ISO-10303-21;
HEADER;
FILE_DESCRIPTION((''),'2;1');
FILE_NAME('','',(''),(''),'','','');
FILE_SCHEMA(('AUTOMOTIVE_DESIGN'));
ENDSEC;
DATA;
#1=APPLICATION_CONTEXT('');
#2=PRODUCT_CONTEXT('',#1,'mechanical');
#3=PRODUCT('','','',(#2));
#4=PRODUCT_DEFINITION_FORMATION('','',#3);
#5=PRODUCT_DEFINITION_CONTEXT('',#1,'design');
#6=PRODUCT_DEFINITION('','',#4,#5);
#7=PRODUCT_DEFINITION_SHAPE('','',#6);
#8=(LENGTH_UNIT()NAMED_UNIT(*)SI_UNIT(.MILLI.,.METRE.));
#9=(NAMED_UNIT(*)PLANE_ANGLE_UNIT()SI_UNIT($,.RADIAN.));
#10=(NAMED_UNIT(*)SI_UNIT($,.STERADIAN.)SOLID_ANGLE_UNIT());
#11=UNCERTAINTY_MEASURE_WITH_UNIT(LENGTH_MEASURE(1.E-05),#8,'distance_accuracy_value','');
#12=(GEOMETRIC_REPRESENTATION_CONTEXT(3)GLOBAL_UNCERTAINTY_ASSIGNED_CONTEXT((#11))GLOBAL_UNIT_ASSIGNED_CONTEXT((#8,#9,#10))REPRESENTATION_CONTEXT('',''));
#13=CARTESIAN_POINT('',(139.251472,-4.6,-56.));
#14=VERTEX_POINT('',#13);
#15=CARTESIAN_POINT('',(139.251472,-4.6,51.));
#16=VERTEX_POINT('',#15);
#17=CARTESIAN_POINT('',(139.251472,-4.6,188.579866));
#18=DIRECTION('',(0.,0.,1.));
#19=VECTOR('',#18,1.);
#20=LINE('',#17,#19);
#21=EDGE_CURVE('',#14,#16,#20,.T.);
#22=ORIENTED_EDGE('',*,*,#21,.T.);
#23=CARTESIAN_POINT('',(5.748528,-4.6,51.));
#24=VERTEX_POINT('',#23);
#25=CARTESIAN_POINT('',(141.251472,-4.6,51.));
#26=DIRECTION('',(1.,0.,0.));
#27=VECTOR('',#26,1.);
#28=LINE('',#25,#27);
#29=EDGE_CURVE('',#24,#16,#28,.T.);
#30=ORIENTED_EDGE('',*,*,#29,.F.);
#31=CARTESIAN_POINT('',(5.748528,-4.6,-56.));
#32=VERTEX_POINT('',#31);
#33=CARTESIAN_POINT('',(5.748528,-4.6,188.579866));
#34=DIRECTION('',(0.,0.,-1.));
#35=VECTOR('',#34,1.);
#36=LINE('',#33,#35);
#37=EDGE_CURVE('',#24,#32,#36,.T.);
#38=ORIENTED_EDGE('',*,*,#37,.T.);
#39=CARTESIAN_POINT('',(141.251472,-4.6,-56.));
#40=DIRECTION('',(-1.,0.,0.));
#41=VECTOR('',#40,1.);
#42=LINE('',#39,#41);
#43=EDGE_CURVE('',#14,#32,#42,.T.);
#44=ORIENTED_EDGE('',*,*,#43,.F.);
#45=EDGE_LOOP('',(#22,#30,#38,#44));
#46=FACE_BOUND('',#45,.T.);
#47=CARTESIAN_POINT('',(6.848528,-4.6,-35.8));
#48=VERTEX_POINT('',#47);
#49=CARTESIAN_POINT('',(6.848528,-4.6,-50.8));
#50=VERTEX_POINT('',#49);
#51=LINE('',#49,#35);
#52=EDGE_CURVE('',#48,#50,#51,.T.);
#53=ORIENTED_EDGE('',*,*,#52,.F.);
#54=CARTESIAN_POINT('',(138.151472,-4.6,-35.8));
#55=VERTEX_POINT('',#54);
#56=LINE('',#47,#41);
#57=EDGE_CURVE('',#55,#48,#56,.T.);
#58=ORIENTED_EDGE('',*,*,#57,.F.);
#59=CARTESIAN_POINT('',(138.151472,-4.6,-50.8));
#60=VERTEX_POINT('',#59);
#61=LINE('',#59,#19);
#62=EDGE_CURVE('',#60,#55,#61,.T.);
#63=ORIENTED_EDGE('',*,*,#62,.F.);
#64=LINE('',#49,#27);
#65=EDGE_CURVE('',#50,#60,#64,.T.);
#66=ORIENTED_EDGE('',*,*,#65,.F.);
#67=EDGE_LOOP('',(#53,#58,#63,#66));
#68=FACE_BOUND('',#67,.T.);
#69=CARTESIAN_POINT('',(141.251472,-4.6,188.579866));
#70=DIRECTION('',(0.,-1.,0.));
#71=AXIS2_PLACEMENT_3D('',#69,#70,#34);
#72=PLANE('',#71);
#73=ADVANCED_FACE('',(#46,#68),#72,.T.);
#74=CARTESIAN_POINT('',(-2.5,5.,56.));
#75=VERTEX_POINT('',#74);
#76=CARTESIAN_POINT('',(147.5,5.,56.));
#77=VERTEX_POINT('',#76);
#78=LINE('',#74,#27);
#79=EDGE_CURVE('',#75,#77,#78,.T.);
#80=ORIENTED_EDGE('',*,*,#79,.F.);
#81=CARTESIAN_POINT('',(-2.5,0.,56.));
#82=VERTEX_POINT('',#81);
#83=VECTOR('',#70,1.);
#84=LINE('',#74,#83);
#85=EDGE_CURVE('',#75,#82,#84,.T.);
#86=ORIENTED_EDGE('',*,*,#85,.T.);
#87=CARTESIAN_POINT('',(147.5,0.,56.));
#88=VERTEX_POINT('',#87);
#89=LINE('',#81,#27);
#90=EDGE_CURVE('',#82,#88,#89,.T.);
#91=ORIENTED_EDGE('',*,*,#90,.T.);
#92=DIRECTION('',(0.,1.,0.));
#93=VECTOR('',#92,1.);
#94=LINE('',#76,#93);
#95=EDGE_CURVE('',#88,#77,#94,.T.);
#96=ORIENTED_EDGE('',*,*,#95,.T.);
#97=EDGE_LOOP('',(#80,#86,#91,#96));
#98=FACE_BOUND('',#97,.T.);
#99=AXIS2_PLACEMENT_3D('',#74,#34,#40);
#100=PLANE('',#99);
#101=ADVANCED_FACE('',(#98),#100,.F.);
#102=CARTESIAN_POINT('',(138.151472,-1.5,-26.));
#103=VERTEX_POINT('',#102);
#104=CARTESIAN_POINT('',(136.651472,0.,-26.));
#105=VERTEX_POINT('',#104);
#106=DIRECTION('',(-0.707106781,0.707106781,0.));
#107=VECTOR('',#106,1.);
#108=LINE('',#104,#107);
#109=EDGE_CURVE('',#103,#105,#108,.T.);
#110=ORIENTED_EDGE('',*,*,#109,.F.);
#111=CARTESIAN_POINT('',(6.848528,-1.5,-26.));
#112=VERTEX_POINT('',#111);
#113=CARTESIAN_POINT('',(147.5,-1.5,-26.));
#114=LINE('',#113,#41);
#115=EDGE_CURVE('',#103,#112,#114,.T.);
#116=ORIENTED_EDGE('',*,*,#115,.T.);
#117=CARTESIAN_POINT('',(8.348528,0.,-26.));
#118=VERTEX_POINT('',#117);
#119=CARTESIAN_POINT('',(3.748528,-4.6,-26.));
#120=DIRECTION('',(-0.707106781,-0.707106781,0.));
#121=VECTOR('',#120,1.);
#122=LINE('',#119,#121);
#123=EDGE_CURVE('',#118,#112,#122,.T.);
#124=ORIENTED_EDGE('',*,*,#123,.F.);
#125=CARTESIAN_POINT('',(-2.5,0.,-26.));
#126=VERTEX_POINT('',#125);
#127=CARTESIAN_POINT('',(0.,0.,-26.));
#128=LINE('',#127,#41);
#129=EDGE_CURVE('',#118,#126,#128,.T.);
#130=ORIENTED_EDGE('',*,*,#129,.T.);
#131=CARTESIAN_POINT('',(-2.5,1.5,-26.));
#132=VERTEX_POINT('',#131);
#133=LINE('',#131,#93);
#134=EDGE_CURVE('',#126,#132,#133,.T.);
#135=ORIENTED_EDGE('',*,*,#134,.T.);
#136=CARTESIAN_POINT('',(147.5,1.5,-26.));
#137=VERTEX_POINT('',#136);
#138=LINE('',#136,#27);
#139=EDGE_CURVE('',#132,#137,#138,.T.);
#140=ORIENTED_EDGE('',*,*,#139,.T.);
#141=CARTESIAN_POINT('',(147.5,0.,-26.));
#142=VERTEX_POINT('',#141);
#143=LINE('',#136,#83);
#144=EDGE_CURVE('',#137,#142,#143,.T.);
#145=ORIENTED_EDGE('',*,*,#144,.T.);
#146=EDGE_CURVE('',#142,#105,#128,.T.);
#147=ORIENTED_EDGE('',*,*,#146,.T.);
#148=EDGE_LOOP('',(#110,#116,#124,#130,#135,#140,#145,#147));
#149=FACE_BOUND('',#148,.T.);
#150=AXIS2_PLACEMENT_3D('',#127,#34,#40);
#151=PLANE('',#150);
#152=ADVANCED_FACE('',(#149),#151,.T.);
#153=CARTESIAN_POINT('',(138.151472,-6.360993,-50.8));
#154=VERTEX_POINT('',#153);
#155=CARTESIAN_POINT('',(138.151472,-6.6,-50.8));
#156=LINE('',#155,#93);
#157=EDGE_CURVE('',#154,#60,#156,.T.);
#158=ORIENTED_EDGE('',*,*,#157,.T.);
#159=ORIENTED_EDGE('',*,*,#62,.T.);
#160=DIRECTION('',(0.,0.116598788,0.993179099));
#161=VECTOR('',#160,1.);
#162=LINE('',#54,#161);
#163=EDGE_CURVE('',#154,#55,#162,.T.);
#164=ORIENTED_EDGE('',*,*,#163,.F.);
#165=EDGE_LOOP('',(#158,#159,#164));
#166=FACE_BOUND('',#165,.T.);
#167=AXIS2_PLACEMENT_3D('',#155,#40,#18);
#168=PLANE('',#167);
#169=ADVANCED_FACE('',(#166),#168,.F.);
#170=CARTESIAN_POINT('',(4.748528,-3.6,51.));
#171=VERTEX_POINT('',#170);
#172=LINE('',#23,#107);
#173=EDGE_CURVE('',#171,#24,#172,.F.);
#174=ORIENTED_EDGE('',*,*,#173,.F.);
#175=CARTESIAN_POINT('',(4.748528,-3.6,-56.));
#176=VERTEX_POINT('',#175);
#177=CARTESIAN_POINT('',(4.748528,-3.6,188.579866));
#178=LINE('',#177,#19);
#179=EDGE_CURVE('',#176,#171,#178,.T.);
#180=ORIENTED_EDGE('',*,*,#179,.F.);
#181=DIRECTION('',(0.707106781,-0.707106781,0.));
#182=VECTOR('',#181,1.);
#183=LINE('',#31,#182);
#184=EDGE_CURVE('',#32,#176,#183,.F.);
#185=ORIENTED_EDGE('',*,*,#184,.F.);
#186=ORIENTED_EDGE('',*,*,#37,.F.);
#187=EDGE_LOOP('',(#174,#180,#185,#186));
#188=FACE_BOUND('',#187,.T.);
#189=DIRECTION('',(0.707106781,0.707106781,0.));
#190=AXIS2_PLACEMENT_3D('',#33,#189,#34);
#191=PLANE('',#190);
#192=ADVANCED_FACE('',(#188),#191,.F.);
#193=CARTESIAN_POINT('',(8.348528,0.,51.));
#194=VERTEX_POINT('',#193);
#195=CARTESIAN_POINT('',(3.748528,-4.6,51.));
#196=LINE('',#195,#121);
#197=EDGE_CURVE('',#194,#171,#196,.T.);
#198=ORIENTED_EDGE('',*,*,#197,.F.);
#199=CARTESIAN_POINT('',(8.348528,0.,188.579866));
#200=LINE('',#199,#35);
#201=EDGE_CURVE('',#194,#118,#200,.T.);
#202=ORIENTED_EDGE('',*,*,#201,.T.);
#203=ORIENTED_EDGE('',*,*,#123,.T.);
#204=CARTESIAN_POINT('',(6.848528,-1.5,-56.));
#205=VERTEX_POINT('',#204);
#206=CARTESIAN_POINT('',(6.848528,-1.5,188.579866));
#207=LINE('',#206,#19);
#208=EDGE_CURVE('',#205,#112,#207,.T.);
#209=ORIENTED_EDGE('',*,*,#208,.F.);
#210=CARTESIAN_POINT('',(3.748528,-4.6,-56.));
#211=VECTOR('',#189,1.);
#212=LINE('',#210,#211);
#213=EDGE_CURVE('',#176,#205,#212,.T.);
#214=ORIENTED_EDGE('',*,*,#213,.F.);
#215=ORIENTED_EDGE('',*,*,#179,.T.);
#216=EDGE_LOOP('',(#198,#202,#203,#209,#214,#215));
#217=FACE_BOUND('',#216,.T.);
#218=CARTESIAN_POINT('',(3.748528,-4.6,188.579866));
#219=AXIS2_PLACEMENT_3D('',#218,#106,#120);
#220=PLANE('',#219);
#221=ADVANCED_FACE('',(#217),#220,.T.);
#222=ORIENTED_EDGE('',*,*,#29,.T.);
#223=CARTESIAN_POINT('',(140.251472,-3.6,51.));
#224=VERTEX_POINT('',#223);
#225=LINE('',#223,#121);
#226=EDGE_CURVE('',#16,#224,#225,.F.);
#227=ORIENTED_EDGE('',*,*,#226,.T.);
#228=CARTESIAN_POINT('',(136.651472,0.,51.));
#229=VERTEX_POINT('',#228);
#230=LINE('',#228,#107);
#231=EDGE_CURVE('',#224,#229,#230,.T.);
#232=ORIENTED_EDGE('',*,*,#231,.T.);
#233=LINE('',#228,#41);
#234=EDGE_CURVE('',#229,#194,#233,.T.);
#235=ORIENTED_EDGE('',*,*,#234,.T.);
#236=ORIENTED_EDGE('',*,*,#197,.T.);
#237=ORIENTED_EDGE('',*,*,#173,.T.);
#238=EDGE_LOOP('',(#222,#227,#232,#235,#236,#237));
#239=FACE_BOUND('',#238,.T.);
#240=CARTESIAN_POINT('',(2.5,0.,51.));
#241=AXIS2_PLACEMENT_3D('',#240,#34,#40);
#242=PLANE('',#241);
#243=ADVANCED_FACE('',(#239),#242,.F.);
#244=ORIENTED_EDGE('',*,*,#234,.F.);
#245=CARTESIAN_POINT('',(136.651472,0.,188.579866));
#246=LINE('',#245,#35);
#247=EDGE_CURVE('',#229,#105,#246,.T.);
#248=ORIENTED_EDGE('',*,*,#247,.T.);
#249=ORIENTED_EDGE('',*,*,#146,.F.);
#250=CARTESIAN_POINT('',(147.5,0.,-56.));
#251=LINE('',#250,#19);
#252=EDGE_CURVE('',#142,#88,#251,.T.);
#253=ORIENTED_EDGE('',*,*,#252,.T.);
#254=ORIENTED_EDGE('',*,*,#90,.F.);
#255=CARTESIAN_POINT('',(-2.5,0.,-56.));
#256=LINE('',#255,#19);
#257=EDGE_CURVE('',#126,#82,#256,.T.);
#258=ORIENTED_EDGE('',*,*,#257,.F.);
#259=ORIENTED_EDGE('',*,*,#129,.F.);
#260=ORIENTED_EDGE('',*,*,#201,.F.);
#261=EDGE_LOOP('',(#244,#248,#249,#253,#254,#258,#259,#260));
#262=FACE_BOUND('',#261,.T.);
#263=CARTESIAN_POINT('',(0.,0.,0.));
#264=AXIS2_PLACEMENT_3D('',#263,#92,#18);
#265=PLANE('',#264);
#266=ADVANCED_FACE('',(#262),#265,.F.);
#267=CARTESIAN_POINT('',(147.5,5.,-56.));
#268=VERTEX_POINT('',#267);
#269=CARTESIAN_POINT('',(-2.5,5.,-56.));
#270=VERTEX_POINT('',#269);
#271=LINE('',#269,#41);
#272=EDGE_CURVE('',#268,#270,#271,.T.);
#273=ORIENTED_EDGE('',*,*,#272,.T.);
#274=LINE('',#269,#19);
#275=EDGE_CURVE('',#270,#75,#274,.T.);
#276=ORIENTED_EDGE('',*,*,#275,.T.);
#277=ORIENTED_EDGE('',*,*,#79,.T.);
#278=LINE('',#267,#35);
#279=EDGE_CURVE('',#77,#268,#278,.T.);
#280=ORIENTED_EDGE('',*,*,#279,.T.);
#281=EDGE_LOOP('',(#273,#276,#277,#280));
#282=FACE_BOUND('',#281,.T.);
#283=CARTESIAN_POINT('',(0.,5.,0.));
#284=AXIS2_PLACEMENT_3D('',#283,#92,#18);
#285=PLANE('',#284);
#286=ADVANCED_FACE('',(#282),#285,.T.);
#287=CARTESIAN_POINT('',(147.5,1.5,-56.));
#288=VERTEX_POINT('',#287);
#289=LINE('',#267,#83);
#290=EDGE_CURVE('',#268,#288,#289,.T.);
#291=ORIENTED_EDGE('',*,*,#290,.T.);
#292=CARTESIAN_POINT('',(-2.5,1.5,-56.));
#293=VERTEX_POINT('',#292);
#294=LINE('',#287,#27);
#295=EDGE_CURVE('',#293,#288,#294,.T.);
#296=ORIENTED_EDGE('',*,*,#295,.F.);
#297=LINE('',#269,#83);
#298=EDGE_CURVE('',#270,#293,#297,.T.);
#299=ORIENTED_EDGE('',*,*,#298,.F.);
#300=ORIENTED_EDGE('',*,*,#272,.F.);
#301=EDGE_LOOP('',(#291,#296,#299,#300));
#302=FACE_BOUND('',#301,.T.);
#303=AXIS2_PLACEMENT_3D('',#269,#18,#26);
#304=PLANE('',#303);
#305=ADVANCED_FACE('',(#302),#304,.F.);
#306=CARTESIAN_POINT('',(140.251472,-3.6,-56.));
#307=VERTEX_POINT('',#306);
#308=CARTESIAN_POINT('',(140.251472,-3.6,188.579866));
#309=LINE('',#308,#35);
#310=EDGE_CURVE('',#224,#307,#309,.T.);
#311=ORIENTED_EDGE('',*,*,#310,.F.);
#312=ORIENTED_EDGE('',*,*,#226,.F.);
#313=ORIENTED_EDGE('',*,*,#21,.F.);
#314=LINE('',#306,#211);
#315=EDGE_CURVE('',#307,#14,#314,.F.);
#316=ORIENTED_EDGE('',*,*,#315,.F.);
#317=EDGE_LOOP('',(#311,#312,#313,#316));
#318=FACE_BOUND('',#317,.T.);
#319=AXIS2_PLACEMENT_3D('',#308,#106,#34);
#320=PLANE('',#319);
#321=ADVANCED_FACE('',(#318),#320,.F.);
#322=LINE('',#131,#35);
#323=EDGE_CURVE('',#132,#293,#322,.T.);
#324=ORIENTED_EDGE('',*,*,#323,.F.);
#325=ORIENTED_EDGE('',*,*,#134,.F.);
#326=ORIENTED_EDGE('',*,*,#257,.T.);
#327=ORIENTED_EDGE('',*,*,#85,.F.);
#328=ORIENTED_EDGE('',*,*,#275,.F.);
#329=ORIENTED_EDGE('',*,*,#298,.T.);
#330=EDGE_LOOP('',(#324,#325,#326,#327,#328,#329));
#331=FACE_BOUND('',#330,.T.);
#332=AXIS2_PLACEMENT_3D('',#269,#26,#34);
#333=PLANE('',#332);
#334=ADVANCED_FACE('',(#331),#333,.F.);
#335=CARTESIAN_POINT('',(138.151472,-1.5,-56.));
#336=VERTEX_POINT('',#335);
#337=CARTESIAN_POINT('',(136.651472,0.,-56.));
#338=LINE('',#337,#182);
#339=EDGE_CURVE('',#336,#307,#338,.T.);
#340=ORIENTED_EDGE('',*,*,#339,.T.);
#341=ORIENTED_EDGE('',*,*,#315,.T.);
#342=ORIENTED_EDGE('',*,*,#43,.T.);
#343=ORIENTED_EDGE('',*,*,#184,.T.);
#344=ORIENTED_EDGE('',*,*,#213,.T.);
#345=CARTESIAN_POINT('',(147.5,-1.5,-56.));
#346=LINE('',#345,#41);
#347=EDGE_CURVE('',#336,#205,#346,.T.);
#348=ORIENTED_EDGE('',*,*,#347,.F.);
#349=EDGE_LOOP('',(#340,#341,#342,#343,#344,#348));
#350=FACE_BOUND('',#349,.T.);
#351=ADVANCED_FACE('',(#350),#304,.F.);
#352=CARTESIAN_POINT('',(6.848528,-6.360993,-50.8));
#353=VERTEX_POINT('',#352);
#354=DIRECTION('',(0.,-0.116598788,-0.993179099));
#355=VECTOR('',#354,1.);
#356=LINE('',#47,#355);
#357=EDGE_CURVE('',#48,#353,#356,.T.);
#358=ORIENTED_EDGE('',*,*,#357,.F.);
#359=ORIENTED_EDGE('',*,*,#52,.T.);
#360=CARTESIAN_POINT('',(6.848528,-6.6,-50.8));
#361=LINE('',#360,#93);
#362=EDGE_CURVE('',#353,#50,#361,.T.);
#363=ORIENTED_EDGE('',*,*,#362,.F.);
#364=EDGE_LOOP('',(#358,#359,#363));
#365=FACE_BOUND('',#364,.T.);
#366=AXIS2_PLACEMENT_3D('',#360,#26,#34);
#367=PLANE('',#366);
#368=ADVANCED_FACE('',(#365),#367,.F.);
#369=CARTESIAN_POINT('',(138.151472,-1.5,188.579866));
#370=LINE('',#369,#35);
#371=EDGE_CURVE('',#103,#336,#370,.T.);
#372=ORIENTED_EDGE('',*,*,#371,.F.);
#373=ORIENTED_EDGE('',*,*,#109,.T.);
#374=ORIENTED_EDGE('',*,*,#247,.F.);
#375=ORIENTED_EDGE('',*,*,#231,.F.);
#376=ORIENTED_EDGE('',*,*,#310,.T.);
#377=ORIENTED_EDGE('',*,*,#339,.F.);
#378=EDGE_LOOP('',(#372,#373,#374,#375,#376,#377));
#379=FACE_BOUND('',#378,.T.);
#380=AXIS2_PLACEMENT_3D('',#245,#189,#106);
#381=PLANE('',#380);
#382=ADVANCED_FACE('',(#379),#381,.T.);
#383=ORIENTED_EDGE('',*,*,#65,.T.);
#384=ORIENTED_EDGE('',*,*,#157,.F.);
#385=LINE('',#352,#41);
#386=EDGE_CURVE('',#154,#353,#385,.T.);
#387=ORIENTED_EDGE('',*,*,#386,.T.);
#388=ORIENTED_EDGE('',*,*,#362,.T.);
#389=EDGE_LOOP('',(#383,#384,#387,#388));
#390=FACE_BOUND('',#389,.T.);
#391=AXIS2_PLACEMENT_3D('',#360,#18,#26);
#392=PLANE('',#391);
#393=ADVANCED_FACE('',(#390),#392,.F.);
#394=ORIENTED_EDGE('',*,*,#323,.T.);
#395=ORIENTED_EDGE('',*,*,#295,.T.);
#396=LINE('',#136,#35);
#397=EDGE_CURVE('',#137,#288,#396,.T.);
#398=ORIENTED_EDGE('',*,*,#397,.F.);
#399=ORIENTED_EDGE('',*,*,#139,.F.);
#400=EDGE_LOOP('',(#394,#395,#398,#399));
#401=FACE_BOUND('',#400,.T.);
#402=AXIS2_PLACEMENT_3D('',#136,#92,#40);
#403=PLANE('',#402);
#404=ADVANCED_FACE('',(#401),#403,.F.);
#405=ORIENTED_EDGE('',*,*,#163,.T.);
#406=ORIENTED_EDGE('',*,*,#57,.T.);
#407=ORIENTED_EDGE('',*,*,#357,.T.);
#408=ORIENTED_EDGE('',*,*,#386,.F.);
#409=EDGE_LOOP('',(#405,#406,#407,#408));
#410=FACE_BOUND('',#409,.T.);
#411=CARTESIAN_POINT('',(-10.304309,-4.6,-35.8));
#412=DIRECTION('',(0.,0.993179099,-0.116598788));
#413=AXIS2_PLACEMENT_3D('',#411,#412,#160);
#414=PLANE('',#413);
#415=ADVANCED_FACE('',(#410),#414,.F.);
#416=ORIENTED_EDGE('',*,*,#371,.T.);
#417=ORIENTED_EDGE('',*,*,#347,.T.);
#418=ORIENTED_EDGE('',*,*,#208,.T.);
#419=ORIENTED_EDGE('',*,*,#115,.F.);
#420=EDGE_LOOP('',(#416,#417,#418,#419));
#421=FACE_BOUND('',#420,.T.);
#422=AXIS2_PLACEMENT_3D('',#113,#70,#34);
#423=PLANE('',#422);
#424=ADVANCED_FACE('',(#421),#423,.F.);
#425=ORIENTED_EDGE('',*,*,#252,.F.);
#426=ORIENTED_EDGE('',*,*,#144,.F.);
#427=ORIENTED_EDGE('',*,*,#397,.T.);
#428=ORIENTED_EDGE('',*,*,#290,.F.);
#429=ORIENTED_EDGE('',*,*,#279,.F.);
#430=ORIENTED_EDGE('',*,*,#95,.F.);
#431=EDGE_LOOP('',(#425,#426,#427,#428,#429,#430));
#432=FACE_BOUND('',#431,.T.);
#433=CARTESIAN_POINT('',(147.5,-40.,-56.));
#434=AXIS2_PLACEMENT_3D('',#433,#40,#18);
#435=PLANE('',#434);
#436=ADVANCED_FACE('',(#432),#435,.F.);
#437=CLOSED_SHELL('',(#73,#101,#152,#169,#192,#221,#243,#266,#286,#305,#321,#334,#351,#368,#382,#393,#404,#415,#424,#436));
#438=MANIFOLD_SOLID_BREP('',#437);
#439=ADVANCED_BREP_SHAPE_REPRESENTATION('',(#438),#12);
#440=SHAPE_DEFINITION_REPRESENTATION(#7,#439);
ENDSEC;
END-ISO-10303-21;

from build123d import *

# Parameters (mm, degrees)
SKETCH1_W             = 5
SKETCH1_H             = 112
BOSS_EXTRUDE1_DEPTH   = 5
SKETCH2_W             = 112
SKETCH2_H             = 5
BOSS_EXTRUDE2_DEPTH   = 145
BOSS_EXTRUDE3_DEPTH   = 107
SKETCH5_W             = 150
SKETCH5_H             = 3
CUT_EXTRUDE1_DEPTH    = 30
CHAMFER1_SIZE         = 2
CHAMFER1_SIZE2        = 1.414213562
CHAMFER1_EDGE_2_SIZE  = 2
CHAMFER1_EDGE_2_SIZE2 = 1.414213562
SKETCH6_W             = 131.302943726
SKETCH6_H             = 15
BOSS_EXTRUDE4_DEPTH   = 2
CUT_EXTRUDE2_DEPTH    = 131.302943725


with BuildPart() as part:
    # Sketch1 → Boss-Extrude1 (new body)
    with BuildSketch(Plane(origin=(0, 0, 0), x_dir=(1, 0, 0), z_dir=(0, 1, 0))):
        Rectangle(SKETCH1_W, SKETCH1_H)
    extrude(amount=BOSS_EXTRUDE1_DEPTH)

    # Sketch2 → Boss-Extrude2 (add)
    with BuildSketch(Plane(origin=(2.5, 0, 0), x_dir=(0, 0, -1), z_dir=(1, 0, 0))):
        with Locations((0, 2.5)):
            Rectangle(SKETCH2_W, SKETCH2_H)
    extrude(amount=BOSS_EXTRUDE2_DEPTH)

    # Sketch3 → Boss-Extrude3 (add)
    with BuildSketch(Plane(origin=(0, 0, -56), x_dir=(-1, 0, 0), z_dir=(0, 0, -1))):
        Polygon((-136.651471863, 0), (-141.251471863, -4.6), (-3.748528137, -4.6), (-8.348528137, 0), align=None)
    extrude(amount=-BOSS_EXTRUDE3_DEPTH)

    # Sketch5 → Cut-Extrude1 (cut)
    with BuildSketch(Plane(origin=(0, 0, -56), x_dir=(-1, 0, 0), z_dir=(0, 0, -1))):
        with Locations((-72.5, 0)):
            Rectangle(SKETCH5_W, SKETCH5_H)
    extrude(amount=-CUT_EXTRUDE1_DEPTH, mode=Mode.SUBTRACT)

    # Chamfer1
    chamfer1_edges = [part.edges().sort_by_distance(p)[0] for p in [
        (3.748528137, -4.6, -2.5),
    ]]
    chamfer1_side = [part.faces().sort_by_distance(p)[0] for p in [
        (72.5, -4.6, -2.5),
    ]]
    chamfer(chamfer1_edges, length=CHAMFER1_SIZE, length2=CHAMFER1_SIZE2, reference=chamfer1_side[0])

    # Chamfer1 edge 2
    chamfer1_edge_2_edges = [part.edges().sort_by_distance(p)[0] for p in [
        (141.251471863, -4.6, -2.5),
    ]]
    chamfer1_edge_2_side = [part.faces().sort_by_distance(p)[0] for p in [
        (72.5, -4.6, -2.5),
    ]]
    chamfer(chamfer1_edge_2_edges, length=CHAMFER1_EDGE_2_SIZE, length2=CHAMFER1_EDGE_2_SIZE2, reference=chamfer1_edge_2_side[0])

    # Sketch6 → Boss-Extrude4 (add)
    with BuildSketch(Plane.XZ.offset(4.6)):
        with Locations((72.5, -43.3)):
            Rectangle(SKETCH6_W, SKETCH6_H)
    extrude(amount=BOSS_EXTRUDE4_DEPTH)

    # Sketch7 → Cut-Extrude2 (cut)
    with BuildSketch(Plane(origin=(138.151471863, 0, 0), x_dir=(0, 0, -1), z_dir=(1, 0, 0))):
        Polygon((35.8, -4.6), (52.8358392, -6.6), (35.8, -6.6), align=None)
    extrude(amount=-CUT_EXTRUDE2_DEPTH, mode=Mode.SUBTRACT)


solid = part.part
